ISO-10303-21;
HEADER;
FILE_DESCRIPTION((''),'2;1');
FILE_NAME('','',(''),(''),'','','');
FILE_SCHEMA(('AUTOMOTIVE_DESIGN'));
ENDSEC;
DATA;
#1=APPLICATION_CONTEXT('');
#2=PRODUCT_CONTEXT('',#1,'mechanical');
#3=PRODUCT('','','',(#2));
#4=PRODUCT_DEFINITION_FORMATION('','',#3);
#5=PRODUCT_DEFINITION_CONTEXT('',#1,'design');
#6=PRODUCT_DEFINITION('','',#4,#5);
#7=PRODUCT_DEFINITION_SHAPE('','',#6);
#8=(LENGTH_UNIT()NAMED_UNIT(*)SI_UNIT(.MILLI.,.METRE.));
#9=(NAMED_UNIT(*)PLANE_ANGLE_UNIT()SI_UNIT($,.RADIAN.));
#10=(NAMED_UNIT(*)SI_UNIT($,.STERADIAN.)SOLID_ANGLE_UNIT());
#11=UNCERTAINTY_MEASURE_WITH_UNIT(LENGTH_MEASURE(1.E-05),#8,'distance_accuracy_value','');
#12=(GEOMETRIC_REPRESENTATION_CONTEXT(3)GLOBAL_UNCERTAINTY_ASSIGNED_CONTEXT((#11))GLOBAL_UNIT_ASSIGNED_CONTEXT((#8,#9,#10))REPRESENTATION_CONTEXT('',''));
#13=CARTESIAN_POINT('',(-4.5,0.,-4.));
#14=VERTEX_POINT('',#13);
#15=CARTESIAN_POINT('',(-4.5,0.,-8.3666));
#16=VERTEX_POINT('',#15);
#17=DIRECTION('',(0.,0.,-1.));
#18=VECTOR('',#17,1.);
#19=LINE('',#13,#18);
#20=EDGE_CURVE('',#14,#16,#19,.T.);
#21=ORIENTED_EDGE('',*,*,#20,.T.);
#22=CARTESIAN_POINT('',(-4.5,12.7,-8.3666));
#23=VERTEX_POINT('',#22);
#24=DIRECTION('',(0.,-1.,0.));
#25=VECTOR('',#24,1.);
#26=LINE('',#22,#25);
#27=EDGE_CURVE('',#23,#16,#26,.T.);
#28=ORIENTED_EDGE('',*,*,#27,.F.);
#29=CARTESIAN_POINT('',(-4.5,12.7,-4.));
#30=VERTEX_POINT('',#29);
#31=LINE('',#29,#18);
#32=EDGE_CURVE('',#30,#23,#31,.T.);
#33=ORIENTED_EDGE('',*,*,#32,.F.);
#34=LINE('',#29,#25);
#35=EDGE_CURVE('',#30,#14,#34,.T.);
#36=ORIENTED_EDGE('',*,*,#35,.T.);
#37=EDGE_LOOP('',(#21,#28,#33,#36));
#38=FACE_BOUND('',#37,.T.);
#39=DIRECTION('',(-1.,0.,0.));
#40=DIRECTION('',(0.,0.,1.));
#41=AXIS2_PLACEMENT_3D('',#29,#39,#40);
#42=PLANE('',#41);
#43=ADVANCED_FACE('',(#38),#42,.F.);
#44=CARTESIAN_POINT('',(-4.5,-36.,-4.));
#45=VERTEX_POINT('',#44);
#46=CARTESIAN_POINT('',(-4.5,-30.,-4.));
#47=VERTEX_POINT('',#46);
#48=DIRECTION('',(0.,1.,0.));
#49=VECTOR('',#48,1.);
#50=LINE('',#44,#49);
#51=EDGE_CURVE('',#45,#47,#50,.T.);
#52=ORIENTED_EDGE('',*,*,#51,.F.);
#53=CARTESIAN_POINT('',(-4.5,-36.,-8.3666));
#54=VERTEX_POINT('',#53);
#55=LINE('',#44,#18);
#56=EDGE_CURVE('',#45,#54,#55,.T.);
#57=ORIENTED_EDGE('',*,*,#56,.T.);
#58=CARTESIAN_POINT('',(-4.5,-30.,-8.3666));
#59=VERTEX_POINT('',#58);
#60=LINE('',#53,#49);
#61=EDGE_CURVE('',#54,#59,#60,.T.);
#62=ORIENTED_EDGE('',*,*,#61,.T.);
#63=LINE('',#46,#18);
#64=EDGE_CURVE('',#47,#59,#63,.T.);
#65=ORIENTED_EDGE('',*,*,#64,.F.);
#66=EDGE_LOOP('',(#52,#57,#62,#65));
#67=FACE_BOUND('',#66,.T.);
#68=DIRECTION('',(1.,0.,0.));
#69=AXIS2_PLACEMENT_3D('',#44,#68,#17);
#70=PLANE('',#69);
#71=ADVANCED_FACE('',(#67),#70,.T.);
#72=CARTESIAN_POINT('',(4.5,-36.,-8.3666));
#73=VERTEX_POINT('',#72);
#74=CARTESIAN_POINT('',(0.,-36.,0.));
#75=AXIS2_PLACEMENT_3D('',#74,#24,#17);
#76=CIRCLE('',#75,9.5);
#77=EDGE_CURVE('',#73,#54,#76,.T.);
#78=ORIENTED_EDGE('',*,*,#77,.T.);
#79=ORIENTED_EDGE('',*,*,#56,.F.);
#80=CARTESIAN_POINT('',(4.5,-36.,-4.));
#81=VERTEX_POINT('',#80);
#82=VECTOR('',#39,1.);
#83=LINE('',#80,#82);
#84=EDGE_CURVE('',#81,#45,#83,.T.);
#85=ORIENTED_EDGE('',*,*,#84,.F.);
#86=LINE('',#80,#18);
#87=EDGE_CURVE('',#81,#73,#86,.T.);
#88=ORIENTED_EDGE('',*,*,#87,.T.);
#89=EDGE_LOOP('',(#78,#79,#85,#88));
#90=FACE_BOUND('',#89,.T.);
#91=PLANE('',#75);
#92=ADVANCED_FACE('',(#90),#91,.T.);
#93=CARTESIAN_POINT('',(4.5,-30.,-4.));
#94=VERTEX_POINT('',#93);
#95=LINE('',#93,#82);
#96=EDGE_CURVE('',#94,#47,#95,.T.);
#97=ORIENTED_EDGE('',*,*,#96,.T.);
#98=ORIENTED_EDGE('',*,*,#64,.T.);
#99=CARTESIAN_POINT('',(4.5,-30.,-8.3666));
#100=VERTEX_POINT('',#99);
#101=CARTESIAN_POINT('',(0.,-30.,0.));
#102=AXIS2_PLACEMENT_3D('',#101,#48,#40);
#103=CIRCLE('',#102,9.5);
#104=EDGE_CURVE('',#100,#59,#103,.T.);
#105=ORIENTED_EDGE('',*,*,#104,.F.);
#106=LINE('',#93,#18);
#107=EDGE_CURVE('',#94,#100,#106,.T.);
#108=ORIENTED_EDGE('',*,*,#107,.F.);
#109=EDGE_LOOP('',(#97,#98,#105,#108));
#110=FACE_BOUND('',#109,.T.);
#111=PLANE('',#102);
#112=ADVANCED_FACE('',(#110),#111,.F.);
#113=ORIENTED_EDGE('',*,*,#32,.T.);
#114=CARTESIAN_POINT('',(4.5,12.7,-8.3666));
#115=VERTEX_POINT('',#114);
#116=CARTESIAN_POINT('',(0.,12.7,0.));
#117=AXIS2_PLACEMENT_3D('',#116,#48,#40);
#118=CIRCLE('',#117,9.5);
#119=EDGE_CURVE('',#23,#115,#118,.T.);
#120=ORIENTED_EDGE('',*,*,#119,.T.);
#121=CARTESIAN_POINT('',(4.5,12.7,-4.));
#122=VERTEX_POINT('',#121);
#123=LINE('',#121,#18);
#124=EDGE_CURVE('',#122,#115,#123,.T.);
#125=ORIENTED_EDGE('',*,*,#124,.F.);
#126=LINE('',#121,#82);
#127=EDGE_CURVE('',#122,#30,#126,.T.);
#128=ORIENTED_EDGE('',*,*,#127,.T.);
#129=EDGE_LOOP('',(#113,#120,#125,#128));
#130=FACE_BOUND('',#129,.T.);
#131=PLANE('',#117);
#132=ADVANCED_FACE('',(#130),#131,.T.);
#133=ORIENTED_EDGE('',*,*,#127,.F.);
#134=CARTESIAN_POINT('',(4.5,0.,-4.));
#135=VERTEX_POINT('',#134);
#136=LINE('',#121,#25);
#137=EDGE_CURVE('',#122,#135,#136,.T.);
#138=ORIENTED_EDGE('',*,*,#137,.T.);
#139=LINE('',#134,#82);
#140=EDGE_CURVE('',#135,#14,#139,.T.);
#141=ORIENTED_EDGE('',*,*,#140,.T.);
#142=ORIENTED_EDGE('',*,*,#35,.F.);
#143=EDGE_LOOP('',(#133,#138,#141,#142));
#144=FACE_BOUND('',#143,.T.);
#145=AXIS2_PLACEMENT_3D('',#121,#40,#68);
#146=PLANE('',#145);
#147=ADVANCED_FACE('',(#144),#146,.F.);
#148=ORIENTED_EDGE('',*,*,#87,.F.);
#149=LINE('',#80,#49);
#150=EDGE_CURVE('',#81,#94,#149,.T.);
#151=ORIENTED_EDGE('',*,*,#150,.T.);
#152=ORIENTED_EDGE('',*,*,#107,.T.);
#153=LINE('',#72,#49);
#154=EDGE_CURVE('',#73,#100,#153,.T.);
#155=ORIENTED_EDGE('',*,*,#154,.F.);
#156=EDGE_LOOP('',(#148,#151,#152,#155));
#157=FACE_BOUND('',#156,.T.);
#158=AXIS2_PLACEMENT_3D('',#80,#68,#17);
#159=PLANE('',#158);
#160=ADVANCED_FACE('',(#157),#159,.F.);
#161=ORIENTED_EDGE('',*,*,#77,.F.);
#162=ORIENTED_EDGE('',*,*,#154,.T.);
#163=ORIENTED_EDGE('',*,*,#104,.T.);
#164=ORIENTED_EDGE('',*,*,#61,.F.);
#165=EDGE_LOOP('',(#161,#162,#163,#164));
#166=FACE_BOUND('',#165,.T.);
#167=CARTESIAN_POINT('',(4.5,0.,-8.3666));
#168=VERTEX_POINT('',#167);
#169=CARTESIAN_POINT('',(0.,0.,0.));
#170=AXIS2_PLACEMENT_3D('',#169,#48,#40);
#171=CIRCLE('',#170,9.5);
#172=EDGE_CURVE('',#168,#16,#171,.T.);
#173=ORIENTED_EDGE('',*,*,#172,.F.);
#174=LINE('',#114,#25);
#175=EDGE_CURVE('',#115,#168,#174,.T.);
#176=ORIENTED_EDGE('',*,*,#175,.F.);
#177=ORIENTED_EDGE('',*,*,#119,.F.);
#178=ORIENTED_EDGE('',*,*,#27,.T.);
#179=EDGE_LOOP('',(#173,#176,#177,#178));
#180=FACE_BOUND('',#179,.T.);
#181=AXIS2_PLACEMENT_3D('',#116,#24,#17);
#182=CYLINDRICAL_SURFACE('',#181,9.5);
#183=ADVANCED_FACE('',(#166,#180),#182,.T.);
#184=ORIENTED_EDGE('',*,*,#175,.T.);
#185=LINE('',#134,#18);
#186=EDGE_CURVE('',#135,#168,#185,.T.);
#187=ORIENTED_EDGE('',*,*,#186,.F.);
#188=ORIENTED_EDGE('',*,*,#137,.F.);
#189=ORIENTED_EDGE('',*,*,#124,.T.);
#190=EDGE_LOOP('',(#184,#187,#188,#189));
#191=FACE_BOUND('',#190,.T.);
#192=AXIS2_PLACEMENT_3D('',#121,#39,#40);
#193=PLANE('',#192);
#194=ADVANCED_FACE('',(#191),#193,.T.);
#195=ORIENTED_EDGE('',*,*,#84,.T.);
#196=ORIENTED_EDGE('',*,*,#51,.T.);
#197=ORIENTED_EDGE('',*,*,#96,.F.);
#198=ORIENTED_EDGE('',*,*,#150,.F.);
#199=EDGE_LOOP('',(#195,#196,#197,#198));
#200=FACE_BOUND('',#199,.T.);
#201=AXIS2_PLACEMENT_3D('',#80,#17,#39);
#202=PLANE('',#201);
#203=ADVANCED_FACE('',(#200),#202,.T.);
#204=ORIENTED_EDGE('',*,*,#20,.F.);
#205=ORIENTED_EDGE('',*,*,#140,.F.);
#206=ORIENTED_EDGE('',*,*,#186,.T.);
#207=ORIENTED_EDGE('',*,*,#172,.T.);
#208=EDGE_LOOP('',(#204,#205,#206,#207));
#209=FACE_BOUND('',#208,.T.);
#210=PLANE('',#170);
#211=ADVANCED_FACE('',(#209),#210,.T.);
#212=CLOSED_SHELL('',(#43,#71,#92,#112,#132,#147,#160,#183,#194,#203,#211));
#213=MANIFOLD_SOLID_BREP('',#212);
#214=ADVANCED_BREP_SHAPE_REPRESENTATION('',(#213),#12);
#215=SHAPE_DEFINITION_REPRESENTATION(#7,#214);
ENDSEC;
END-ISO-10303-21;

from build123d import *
from build123d.topology import SkipClean

# Parameters (mm, degrees)
BOSS_EXTRUDE1_DEPTH = 12.7
BOSS_EXTRUDE2_DEPTH = 30
BOSS_EXTRUDE3_DEPTH = 6


with BuildPart() as part:
    # Sketch1 → Boss-Extrude1 (new body)
    with BuildSketch(Plane(origin=(0, 0, 0), x_dir=(1, 0, 0), z_dir=(0, 1, 0))):
        with BuildLine():
            Line((4.5, 8.366600265), (4.5, 4))
            Line((4.5, 4), (-4.5, 4))
            Line((-4.5, 4), (-4.5, 8.366600265))
            ThreePointArc((-4.5, 8.366600265), (-4.873397172, -8.154753215), (9.5, 0))
            ThreePointArc((9.5, 0), (8.154753215, 4.873397172), (4.5, 8.366600265))
        make_face()
    extrude(amount=BOSS_EXTRUDE1_DEPTH)

    # Sketch1<3> → Boss-Extrude2 (add)
    with BuildSketch(Plane(origin=(0, 0, 0), x_dir=(1, 0, 0), z_dir=(0, 1, 0))):
        with BuildLine():
            Line((4.5, 8.366600265), (4.5, 4))
            Line((4.5, 4), (-4.5, 4))
            Line((-4.5, 4), (-4.5, 8.366600265))
            ThreePointArc((-4.5, 8.366600265), (-4.873397172, -8.154753215), (9.5, 0))
            ThreePointArc((9.5, 0), (8.154753215, 4.873397172), (4.5, 8.366600265))
        make_face()
        with BuildLine():
            Line((-4.5, 4), (4.5, 4))
            Line((4.5, 4), (4.5, 8.366600265))
            ThreePointArc((4.5, 8.366600265), (0, 9.5), (-4.5, 8.366600265))
            Line((-4.5, 8.366600265), (-4.5, 4))
        make_face()
    extrude(amount=-BOSS_EXTRUDE2_DEPTH)

    # Sketch2 → Boss-Extrude3 (add)
    with SkipClean():  # the faces are left unmerged after this step: merging them gives an invalid solid
        with BuildSketch(Plane.XZ.offset(30)):
            with BuildLine():
                Line((-4.5, -4), (4.5, -4))
                Line((4.5, -4), (4.5, -8.366600265))
                ThreePointArc((4.5, -8.366600265), (8.154753215, -4.873397172), (9.5, 0))
                ThreePointArc((9.5, 0), (-4.873397172, 8.154753215), (-4.5, -8.366600265))
                Line((-4.5, -8.366600265), (-4.5, -4))
            make_face()
        extrude(amount=BOSS_EXTRUDE3_DEPTH)


solid = part.part
